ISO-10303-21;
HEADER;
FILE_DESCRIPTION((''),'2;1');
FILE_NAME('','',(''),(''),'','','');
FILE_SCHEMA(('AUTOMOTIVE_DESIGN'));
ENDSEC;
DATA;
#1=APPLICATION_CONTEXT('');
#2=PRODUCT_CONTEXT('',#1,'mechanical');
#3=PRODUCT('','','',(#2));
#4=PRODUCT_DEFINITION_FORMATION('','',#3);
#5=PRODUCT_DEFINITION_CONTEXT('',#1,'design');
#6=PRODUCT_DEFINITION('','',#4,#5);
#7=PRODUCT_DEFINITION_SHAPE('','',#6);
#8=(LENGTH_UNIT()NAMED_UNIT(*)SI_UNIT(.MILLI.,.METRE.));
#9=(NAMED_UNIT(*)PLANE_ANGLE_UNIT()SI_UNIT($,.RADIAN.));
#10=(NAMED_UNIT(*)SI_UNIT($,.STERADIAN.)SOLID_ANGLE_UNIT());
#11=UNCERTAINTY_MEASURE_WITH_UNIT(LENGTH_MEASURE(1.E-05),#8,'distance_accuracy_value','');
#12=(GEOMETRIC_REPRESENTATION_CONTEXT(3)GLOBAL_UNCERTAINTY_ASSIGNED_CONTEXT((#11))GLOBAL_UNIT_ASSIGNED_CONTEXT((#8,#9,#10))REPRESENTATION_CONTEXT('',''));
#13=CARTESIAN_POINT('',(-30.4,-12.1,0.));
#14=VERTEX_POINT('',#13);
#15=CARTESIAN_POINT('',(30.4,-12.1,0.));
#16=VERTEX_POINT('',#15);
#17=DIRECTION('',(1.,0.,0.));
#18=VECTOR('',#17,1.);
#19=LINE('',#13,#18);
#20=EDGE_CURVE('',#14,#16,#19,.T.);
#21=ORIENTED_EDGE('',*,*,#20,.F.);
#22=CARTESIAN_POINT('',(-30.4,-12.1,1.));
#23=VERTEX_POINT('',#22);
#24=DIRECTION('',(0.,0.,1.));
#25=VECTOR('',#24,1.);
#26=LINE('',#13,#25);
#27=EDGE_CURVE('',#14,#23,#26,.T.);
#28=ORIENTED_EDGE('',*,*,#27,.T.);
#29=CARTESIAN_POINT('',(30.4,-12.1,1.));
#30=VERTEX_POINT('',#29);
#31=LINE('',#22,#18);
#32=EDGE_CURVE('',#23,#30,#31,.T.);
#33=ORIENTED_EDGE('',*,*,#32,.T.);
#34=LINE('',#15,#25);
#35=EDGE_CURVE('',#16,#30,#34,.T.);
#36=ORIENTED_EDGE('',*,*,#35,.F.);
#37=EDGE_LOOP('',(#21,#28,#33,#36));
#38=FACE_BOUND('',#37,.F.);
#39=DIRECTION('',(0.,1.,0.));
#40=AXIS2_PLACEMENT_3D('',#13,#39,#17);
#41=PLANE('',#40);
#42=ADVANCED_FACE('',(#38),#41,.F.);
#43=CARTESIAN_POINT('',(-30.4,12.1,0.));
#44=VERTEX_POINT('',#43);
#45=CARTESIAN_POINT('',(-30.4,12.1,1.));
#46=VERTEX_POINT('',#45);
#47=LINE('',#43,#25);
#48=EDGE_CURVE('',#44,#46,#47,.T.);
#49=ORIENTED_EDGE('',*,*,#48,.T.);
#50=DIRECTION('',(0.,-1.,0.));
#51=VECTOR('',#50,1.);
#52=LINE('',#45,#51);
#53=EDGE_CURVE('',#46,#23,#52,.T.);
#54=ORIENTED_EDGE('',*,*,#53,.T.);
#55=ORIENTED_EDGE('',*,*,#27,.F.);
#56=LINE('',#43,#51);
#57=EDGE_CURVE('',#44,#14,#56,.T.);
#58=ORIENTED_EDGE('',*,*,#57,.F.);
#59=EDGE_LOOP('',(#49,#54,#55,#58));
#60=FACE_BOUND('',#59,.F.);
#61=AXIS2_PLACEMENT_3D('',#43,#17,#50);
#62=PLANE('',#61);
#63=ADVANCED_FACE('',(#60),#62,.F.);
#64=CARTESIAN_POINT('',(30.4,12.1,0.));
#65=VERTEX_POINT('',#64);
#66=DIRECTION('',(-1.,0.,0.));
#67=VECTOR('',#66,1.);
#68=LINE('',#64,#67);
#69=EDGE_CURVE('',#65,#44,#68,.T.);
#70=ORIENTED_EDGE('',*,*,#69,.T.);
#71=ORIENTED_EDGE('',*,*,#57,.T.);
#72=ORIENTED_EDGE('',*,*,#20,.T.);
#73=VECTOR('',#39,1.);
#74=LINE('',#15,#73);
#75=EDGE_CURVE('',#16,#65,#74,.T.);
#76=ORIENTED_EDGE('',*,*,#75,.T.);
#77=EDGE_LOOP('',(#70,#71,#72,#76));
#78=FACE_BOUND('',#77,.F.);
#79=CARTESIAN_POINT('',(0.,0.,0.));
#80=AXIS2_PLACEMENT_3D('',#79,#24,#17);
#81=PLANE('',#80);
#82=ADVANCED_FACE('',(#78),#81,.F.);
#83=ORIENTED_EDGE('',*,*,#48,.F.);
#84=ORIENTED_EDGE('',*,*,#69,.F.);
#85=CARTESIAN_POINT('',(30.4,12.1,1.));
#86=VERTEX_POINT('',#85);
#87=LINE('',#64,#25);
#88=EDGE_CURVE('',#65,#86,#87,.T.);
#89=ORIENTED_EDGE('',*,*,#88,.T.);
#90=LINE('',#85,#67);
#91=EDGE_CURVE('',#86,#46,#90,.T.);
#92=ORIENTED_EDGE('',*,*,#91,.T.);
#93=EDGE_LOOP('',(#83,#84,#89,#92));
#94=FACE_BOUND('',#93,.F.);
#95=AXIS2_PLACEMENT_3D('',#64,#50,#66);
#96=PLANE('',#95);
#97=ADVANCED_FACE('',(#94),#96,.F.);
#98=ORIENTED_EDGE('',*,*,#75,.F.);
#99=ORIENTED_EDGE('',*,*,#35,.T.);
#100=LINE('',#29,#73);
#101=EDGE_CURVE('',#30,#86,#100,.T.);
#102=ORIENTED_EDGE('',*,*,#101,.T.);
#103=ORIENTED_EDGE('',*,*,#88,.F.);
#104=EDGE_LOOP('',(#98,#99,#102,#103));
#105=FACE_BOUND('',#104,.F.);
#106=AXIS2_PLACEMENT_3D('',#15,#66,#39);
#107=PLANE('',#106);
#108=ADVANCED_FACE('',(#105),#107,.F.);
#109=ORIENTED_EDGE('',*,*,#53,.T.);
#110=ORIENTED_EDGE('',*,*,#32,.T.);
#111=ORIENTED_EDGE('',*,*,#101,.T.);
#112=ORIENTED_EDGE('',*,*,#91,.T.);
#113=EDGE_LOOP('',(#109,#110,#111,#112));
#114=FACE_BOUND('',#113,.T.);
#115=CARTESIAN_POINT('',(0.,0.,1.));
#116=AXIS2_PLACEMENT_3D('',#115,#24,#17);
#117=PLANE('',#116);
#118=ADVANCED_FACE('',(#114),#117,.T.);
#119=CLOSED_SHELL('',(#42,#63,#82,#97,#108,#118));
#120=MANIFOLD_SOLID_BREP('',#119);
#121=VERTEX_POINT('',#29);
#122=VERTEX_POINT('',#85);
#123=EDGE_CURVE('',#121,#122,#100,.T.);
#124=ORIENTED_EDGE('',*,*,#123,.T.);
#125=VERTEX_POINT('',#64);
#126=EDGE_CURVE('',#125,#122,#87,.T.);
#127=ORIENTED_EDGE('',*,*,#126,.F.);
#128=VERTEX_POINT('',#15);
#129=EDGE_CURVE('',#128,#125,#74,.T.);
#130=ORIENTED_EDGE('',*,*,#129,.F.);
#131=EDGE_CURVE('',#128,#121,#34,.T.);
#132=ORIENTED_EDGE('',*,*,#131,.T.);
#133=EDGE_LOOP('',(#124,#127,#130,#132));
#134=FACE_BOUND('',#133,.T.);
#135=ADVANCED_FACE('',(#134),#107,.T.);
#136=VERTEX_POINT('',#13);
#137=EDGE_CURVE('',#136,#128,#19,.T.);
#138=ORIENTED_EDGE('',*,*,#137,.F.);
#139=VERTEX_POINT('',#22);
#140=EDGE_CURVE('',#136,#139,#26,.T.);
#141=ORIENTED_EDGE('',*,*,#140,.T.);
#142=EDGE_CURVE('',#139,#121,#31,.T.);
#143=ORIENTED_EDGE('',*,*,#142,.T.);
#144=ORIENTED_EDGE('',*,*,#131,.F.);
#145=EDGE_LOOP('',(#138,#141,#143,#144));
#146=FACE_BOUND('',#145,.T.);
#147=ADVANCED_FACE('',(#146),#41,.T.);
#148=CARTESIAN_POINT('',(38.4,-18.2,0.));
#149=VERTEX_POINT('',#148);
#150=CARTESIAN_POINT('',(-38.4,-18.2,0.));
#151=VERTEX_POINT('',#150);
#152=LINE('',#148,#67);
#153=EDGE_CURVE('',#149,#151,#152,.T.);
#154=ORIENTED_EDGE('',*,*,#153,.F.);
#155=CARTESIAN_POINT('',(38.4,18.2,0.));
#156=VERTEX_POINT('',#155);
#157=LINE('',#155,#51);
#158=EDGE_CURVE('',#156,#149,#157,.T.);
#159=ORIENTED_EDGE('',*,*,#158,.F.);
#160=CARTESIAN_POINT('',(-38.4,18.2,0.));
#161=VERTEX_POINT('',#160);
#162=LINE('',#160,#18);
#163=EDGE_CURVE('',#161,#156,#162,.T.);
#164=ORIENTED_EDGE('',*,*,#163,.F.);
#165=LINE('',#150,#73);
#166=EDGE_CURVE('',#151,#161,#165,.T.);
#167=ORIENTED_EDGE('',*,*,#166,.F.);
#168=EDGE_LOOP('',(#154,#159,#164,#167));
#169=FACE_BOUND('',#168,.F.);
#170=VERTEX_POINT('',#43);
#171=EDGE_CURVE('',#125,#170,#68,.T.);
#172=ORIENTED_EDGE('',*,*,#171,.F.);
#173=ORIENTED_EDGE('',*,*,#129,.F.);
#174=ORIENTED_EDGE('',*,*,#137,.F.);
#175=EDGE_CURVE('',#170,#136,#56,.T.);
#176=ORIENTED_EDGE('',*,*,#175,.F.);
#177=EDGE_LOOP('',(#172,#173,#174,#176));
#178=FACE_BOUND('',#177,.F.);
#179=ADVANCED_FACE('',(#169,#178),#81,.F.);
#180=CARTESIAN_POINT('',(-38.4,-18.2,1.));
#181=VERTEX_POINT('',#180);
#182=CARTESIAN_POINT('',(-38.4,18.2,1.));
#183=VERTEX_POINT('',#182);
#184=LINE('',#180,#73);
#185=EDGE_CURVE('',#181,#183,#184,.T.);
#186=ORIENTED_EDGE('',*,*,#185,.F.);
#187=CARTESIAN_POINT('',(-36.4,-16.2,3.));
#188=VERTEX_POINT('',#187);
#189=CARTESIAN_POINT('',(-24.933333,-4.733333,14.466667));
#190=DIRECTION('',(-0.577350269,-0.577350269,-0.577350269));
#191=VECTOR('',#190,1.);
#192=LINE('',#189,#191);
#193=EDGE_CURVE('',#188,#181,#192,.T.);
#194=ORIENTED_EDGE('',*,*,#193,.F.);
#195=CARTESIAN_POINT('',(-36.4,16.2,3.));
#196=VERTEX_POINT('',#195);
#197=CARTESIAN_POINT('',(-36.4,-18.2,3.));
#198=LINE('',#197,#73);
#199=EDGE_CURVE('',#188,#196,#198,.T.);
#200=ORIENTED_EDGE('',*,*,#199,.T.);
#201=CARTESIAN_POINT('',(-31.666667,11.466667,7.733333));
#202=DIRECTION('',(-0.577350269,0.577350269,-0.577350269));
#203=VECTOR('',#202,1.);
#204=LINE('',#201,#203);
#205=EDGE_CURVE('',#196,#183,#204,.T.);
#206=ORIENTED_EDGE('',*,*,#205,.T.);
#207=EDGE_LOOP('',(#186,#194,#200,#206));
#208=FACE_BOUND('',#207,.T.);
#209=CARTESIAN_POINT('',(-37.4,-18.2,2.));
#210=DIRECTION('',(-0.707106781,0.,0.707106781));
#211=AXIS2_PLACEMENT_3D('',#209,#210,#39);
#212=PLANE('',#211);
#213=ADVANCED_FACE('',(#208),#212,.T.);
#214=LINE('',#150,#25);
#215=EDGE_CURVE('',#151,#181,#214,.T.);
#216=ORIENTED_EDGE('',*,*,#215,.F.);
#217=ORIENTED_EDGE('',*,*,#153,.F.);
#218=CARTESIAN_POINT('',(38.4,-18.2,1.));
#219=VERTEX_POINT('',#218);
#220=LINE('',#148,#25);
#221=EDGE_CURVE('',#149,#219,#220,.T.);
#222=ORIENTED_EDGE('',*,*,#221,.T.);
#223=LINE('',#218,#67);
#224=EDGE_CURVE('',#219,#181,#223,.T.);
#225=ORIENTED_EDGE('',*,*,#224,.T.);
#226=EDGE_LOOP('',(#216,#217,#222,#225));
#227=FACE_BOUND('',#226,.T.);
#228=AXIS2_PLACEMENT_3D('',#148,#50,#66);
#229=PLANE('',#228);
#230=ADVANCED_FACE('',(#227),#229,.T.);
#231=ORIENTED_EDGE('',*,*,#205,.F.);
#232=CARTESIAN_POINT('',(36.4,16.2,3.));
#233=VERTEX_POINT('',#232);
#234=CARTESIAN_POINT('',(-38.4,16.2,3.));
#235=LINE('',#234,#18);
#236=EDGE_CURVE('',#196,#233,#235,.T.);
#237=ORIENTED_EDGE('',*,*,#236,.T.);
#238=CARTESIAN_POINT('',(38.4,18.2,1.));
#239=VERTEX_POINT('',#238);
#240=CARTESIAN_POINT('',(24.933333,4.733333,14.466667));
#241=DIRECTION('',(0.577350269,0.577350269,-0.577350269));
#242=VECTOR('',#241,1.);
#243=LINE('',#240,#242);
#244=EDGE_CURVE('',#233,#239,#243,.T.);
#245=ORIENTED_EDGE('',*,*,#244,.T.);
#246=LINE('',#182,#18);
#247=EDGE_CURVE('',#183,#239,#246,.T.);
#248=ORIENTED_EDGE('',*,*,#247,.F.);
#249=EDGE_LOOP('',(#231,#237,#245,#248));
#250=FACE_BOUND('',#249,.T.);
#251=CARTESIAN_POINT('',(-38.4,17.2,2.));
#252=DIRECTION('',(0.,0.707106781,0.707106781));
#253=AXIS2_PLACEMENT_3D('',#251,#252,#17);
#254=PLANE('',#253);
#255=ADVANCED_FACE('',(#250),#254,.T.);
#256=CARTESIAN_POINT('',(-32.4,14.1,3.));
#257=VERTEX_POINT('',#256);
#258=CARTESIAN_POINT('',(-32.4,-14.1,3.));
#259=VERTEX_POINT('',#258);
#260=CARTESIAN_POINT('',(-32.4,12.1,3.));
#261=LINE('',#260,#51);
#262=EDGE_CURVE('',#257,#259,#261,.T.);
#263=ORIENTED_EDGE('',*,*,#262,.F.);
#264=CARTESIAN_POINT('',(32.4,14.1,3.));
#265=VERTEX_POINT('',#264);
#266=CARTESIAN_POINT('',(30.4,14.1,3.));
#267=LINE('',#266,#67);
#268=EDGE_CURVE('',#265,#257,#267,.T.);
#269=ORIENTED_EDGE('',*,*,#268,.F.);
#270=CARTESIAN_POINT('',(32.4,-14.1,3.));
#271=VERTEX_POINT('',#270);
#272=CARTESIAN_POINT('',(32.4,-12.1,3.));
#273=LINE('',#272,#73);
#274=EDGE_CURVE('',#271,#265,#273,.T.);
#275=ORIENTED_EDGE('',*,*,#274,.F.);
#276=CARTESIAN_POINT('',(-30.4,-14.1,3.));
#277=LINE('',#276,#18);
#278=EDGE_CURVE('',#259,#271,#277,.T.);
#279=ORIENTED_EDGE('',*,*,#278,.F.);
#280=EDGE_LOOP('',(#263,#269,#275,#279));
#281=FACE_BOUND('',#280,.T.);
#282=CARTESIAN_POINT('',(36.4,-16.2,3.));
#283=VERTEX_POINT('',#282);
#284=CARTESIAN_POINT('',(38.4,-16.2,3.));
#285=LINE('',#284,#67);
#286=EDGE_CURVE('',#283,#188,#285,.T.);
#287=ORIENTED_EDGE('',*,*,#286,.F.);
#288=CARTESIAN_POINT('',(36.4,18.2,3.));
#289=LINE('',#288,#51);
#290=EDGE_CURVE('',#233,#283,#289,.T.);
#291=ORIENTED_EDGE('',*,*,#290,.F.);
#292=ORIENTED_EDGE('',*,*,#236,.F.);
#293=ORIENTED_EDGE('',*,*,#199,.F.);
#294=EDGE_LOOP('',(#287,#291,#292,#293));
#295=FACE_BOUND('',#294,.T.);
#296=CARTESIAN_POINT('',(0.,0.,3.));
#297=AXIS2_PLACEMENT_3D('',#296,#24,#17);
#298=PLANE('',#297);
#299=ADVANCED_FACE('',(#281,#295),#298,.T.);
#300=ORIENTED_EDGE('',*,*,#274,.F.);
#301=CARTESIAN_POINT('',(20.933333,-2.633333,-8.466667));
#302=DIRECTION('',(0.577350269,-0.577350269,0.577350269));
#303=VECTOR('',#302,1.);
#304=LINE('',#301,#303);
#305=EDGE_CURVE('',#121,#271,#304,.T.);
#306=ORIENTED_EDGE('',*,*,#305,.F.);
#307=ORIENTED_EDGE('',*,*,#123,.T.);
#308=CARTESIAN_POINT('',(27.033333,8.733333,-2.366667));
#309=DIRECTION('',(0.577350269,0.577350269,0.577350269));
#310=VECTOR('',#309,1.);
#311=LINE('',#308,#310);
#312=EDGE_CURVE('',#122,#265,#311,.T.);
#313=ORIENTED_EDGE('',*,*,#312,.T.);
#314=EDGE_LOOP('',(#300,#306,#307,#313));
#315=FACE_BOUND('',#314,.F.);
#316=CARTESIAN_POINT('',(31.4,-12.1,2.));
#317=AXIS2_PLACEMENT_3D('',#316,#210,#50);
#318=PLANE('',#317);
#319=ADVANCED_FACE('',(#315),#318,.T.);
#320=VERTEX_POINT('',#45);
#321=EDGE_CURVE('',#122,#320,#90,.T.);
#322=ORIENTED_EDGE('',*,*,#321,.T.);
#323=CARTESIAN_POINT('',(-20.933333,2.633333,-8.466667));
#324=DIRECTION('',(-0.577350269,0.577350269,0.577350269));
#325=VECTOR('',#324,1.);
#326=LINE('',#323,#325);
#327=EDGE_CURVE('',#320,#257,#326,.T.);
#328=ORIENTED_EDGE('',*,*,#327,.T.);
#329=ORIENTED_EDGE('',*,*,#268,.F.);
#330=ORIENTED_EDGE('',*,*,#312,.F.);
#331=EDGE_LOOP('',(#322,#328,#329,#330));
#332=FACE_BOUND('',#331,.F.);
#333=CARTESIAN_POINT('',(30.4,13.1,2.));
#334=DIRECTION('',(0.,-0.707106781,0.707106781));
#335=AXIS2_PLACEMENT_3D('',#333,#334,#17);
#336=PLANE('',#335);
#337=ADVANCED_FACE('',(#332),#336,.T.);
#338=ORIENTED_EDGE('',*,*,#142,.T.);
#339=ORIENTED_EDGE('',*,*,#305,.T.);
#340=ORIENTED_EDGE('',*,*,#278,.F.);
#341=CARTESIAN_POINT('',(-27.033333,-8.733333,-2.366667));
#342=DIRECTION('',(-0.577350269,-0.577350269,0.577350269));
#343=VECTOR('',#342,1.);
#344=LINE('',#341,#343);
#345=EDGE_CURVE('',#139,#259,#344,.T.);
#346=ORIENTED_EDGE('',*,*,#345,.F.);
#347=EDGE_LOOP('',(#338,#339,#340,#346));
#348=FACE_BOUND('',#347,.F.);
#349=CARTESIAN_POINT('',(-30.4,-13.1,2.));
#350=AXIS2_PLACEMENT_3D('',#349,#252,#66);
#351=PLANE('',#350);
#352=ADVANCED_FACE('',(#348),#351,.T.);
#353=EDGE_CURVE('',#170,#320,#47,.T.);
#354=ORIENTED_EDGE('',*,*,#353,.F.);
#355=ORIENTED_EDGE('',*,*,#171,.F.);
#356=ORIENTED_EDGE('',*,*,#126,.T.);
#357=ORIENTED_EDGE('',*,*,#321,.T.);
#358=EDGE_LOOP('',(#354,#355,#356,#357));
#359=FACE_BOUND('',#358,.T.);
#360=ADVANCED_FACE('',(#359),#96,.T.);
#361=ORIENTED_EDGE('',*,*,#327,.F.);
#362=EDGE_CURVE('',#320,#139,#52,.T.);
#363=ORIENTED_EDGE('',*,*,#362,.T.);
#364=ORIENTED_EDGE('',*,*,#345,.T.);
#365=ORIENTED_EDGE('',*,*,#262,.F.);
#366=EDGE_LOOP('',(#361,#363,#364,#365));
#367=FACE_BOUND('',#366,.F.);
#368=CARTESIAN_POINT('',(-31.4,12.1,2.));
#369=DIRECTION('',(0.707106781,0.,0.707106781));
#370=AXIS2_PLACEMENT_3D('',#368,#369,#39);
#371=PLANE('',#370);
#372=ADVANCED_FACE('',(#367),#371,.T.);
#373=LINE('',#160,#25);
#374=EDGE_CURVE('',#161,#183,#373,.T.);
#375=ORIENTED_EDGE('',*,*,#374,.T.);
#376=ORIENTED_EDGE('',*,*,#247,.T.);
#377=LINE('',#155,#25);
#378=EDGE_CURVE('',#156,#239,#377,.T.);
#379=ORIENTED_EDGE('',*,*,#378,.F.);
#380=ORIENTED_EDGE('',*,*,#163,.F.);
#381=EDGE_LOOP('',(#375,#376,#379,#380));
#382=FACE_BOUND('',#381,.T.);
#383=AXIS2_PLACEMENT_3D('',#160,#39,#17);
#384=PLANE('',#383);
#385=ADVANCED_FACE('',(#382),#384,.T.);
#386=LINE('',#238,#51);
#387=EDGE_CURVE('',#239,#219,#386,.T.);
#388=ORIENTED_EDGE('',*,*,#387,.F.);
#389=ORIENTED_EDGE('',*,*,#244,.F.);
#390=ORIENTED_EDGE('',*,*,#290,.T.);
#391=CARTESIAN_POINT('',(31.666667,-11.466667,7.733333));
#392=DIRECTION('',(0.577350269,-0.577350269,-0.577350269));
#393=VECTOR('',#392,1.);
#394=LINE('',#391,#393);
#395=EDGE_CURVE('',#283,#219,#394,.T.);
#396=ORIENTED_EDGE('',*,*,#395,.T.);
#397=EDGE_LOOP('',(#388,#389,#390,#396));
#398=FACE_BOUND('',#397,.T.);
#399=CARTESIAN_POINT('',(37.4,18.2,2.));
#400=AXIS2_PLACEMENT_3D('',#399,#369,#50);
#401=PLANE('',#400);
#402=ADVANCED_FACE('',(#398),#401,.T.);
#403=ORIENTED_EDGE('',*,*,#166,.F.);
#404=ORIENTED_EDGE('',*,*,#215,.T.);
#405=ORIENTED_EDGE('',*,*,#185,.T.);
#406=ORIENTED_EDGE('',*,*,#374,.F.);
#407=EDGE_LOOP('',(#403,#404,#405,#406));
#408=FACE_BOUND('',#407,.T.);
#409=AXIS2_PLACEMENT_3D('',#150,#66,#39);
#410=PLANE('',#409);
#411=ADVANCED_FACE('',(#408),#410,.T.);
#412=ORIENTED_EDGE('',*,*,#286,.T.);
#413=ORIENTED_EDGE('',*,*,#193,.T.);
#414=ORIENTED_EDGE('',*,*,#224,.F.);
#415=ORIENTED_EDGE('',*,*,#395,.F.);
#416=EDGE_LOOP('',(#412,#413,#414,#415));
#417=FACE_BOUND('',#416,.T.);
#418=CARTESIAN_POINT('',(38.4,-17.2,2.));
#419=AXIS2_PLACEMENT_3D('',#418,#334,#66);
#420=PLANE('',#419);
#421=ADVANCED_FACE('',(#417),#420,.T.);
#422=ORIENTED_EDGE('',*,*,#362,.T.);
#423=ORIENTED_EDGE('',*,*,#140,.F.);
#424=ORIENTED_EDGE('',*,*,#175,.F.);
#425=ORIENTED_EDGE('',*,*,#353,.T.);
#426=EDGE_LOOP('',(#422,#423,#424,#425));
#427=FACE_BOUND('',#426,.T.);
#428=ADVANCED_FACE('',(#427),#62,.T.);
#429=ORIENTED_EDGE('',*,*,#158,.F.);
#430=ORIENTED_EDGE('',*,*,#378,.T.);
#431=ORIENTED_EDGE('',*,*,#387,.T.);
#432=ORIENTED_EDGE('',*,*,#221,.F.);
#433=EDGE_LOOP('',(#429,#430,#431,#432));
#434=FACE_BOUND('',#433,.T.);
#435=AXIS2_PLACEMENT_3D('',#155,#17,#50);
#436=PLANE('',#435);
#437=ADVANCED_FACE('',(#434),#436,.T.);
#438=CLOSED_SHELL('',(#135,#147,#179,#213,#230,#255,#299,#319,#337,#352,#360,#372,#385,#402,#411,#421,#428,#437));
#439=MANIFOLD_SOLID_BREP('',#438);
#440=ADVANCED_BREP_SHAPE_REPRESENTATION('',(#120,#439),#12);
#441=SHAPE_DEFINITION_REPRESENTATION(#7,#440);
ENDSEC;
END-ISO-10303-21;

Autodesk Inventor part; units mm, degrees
ref_plane "YZ Plane" through (0, 0, 0) normal (1, 0, 0) x (0, 1, 0)
ref_plane "XZ Plane" through (0, 0, 0) normal (0, 1, 0) x (-1, 0, 0)
ref_plane "XY Plane" through (0, 0, 0) normal (0, 0, 1) x (1, 0, 0)
sketch "Skizze1" plane through (0, 0, 0) normal (0, 0, 1) x (1, 0, 0)
  line L0 (-38.4, 18.2) -> (38.4, 18.2)
  line L1 (38.4, 18.2) -> (38.4, -18.2)
  line L2 (38.4, -18.2) -> (-38.4, -18.2)
  line L3 (-38.4, -18.2) -> (-38.4, 18.2)
  line L4 (-38.4, 18.2) -> (38.4, -18.2) construction
  line L5 (38.4, 18.2) -> (-38.4, -18.2) construction
  line L6 (30.4, 12.1) -> (-30.4, 12.1)
  line L7 (-30.4, 12.1) -> (-30.4, -12.1)
  line L8 (-30.4, -12.1) -> (30.4, -12.1)
  line L9 (30.4, -12.1) -> (30.4, 12.1)
  line L10 (30.4, 12.1) -> (-30.4, -12.1) construction
  line L11 (-30.4, 12.1) -> (30.4, -12.1) construction
  point P0 (0, 0)
  dimension "d0" = 76.8
  dimension "d1" = 36.4
  dimension "d2" = 60.8
  dimension "d3" = 24.2
extrude "Extrusion1" add sketch "Skizze1" along normal blind 3
sketch "Skizze2" plane through (0, 0, 0) normal (0, 0, 1) x (1, 0, 0)
  line L0 (30.4, 12.1) -> (-30.4, 12.1)
  line L1 (-30.4, 12.1) -> (-30.4, -12.1)
  line L2 (-30.4, -12.1) -> (30.4, -12.1)
  line L3 (30.4, -12.1) -> (30.4, 12.1)
  line L4 (30.4, 12.1) -> (-30.4, -12.1) construction
  line L5 (-30.4, 12.1) -> (30.4, -12.1) construction
  point P0 (0, 0)
  dimension "d6" = 60.8
  dimension "d7" = 24.2
extrude "Extrusion2" add sketch "Skizze2" along normal blind 1 separate body
chamfer "Fase1" distance 2 angle 45 4 edges at (0, 12.1, 3) (-30.4, 0, 3) (0, -12.1, 3) (30.4, 0, 3)
chamfer "Fase2" distance 2 angle 45 4 edges at (38.4, 0, 3) (0, 18.2, 3) (-38.4, 0, 3) (0, -18.2, 3)
properties part number "Display" material "Kunststoff, undurchsichtig schwarz"
